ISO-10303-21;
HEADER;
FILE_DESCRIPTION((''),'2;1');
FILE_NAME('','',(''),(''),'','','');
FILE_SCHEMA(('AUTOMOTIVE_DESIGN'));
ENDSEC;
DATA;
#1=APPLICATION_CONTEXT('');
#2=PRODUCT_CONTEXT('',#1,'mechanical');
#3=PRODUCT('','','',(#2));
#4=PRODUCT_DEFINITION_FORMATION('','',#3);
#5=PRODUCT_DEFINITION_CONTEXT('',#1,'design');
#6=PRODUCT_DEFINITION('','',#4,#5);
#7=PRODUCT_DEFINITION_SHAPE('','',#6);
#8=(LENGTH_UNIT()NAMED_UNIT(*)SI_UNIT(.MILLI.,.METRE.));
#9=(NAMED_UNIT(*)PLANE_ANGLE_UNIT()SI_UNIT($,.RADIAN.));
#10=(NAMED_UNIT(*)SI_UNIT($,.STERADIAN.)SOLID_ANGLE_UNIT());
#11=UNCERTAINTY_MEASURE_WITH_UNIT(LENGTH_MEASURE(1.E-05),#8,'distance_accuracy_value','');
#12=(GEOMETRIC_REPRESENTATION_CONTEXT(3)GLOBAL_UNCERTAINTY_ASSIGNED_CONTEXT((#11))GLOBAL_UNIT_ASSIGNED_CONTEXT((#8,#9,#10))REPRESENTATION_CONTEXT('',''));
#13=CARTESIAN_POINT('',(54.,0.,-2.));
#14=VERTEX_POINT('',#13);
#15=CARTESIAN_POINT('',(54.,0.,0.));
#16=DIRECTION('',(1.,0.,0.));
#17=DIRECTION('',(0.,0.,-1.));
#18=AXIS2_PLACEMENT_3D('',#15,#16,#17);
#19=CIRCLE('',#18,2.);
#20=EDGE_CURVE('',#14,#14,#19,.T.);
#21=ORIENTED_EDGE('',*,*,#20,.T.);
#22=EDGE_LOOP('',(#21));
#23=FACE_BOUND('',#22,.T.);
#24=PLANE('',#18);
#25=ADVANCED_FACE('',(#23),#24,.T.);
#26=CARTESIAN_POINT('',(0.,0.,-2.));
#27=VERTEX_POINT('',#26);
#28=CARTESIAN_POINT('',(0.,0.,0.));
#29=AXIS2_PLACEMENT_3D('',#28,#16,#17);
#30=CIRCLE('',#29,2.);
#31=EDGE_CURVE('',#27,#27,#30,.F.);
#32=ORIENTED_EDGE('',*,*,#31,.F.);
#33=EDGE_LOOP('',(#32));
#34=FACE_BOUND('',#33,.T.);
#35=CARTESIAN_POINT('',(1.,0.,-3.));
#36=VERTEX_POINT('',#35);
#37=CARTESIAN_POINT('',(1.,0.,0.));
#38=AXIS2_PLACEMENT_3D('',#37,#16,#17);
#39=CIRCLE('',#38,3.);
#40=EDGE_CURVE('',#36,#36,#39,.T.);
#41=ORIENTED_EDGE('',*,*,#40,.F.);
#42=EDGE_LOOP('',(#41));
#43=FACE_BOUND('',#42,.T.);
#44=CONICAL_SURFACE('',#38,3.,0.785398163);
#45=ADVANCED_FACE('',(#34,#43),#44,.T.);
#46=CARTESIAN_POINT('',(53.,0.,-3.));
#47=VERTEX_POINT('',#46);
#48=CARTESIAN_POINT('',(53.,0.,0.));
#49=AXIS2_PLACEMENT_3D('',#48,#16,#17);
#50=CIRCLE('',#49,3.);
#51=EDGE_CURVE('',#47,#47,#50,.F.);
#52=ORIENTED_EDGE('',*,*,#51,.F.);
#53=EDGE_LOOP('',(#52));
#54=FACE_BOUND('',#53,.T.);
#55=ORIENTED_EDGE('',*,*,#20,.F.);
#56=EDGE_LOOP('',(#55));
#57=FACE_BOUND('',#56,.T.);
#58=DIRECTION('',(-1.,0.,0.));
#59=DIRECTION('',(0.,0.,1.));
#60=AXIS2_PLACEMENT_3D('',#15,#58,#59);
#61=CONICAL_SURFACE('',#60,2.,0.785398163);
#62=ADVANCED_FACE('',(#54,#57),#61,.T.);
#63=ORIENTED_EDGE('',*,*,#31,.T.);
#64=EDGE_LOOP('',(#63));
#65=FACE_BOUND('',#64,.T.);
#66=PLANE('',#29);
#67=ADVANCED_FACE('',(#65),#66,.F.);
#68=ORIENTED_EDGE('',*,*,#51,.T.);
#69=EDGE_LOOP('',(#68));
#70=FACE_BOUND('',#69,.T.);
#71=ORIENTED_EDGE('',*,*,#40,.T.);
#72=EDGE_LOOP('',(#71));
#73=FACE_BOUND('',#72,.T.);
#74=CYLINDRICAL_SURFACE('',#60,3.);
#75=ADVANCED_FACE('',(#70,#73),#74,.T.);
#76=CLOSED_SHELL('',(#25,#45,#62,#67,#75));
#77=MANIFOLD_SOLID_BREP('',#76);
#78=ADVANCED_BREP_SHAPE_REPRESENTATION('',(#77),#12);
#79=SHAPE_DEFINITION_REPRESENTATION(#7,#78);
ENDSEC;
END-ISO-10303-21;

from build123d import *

# Parameters (mm, degrees)
SCHIZZO1_R                   = 3
ESTRUSIONE_ESTRUSIONE1_DEPTH = 54
SMUSSO1_SIZE                 = 1


with BuildPart() as part:
    # Schizzo1 → Estrusione-Estrusione1 (new body)
    with BuildSketch(Plane(origin=(0, 0, 0), x_dir=(0, 0, -1), z_dir=(1, 0, 0))):
        Circle(SCHIZZO1_R)
    extrude(amount=ESTRUSIONE_ESTRUSIONE1_DEPTH)

    # Smusso1
    smusso1_edges = [part.edges().sort_by_distance(p)[0] for p in [
        (0, 0, 3),
        (54, 0, 3),
    ]]
    chamfer(smusso1_edges, length=SMUSSO1_SIZE)


solid = part.part
